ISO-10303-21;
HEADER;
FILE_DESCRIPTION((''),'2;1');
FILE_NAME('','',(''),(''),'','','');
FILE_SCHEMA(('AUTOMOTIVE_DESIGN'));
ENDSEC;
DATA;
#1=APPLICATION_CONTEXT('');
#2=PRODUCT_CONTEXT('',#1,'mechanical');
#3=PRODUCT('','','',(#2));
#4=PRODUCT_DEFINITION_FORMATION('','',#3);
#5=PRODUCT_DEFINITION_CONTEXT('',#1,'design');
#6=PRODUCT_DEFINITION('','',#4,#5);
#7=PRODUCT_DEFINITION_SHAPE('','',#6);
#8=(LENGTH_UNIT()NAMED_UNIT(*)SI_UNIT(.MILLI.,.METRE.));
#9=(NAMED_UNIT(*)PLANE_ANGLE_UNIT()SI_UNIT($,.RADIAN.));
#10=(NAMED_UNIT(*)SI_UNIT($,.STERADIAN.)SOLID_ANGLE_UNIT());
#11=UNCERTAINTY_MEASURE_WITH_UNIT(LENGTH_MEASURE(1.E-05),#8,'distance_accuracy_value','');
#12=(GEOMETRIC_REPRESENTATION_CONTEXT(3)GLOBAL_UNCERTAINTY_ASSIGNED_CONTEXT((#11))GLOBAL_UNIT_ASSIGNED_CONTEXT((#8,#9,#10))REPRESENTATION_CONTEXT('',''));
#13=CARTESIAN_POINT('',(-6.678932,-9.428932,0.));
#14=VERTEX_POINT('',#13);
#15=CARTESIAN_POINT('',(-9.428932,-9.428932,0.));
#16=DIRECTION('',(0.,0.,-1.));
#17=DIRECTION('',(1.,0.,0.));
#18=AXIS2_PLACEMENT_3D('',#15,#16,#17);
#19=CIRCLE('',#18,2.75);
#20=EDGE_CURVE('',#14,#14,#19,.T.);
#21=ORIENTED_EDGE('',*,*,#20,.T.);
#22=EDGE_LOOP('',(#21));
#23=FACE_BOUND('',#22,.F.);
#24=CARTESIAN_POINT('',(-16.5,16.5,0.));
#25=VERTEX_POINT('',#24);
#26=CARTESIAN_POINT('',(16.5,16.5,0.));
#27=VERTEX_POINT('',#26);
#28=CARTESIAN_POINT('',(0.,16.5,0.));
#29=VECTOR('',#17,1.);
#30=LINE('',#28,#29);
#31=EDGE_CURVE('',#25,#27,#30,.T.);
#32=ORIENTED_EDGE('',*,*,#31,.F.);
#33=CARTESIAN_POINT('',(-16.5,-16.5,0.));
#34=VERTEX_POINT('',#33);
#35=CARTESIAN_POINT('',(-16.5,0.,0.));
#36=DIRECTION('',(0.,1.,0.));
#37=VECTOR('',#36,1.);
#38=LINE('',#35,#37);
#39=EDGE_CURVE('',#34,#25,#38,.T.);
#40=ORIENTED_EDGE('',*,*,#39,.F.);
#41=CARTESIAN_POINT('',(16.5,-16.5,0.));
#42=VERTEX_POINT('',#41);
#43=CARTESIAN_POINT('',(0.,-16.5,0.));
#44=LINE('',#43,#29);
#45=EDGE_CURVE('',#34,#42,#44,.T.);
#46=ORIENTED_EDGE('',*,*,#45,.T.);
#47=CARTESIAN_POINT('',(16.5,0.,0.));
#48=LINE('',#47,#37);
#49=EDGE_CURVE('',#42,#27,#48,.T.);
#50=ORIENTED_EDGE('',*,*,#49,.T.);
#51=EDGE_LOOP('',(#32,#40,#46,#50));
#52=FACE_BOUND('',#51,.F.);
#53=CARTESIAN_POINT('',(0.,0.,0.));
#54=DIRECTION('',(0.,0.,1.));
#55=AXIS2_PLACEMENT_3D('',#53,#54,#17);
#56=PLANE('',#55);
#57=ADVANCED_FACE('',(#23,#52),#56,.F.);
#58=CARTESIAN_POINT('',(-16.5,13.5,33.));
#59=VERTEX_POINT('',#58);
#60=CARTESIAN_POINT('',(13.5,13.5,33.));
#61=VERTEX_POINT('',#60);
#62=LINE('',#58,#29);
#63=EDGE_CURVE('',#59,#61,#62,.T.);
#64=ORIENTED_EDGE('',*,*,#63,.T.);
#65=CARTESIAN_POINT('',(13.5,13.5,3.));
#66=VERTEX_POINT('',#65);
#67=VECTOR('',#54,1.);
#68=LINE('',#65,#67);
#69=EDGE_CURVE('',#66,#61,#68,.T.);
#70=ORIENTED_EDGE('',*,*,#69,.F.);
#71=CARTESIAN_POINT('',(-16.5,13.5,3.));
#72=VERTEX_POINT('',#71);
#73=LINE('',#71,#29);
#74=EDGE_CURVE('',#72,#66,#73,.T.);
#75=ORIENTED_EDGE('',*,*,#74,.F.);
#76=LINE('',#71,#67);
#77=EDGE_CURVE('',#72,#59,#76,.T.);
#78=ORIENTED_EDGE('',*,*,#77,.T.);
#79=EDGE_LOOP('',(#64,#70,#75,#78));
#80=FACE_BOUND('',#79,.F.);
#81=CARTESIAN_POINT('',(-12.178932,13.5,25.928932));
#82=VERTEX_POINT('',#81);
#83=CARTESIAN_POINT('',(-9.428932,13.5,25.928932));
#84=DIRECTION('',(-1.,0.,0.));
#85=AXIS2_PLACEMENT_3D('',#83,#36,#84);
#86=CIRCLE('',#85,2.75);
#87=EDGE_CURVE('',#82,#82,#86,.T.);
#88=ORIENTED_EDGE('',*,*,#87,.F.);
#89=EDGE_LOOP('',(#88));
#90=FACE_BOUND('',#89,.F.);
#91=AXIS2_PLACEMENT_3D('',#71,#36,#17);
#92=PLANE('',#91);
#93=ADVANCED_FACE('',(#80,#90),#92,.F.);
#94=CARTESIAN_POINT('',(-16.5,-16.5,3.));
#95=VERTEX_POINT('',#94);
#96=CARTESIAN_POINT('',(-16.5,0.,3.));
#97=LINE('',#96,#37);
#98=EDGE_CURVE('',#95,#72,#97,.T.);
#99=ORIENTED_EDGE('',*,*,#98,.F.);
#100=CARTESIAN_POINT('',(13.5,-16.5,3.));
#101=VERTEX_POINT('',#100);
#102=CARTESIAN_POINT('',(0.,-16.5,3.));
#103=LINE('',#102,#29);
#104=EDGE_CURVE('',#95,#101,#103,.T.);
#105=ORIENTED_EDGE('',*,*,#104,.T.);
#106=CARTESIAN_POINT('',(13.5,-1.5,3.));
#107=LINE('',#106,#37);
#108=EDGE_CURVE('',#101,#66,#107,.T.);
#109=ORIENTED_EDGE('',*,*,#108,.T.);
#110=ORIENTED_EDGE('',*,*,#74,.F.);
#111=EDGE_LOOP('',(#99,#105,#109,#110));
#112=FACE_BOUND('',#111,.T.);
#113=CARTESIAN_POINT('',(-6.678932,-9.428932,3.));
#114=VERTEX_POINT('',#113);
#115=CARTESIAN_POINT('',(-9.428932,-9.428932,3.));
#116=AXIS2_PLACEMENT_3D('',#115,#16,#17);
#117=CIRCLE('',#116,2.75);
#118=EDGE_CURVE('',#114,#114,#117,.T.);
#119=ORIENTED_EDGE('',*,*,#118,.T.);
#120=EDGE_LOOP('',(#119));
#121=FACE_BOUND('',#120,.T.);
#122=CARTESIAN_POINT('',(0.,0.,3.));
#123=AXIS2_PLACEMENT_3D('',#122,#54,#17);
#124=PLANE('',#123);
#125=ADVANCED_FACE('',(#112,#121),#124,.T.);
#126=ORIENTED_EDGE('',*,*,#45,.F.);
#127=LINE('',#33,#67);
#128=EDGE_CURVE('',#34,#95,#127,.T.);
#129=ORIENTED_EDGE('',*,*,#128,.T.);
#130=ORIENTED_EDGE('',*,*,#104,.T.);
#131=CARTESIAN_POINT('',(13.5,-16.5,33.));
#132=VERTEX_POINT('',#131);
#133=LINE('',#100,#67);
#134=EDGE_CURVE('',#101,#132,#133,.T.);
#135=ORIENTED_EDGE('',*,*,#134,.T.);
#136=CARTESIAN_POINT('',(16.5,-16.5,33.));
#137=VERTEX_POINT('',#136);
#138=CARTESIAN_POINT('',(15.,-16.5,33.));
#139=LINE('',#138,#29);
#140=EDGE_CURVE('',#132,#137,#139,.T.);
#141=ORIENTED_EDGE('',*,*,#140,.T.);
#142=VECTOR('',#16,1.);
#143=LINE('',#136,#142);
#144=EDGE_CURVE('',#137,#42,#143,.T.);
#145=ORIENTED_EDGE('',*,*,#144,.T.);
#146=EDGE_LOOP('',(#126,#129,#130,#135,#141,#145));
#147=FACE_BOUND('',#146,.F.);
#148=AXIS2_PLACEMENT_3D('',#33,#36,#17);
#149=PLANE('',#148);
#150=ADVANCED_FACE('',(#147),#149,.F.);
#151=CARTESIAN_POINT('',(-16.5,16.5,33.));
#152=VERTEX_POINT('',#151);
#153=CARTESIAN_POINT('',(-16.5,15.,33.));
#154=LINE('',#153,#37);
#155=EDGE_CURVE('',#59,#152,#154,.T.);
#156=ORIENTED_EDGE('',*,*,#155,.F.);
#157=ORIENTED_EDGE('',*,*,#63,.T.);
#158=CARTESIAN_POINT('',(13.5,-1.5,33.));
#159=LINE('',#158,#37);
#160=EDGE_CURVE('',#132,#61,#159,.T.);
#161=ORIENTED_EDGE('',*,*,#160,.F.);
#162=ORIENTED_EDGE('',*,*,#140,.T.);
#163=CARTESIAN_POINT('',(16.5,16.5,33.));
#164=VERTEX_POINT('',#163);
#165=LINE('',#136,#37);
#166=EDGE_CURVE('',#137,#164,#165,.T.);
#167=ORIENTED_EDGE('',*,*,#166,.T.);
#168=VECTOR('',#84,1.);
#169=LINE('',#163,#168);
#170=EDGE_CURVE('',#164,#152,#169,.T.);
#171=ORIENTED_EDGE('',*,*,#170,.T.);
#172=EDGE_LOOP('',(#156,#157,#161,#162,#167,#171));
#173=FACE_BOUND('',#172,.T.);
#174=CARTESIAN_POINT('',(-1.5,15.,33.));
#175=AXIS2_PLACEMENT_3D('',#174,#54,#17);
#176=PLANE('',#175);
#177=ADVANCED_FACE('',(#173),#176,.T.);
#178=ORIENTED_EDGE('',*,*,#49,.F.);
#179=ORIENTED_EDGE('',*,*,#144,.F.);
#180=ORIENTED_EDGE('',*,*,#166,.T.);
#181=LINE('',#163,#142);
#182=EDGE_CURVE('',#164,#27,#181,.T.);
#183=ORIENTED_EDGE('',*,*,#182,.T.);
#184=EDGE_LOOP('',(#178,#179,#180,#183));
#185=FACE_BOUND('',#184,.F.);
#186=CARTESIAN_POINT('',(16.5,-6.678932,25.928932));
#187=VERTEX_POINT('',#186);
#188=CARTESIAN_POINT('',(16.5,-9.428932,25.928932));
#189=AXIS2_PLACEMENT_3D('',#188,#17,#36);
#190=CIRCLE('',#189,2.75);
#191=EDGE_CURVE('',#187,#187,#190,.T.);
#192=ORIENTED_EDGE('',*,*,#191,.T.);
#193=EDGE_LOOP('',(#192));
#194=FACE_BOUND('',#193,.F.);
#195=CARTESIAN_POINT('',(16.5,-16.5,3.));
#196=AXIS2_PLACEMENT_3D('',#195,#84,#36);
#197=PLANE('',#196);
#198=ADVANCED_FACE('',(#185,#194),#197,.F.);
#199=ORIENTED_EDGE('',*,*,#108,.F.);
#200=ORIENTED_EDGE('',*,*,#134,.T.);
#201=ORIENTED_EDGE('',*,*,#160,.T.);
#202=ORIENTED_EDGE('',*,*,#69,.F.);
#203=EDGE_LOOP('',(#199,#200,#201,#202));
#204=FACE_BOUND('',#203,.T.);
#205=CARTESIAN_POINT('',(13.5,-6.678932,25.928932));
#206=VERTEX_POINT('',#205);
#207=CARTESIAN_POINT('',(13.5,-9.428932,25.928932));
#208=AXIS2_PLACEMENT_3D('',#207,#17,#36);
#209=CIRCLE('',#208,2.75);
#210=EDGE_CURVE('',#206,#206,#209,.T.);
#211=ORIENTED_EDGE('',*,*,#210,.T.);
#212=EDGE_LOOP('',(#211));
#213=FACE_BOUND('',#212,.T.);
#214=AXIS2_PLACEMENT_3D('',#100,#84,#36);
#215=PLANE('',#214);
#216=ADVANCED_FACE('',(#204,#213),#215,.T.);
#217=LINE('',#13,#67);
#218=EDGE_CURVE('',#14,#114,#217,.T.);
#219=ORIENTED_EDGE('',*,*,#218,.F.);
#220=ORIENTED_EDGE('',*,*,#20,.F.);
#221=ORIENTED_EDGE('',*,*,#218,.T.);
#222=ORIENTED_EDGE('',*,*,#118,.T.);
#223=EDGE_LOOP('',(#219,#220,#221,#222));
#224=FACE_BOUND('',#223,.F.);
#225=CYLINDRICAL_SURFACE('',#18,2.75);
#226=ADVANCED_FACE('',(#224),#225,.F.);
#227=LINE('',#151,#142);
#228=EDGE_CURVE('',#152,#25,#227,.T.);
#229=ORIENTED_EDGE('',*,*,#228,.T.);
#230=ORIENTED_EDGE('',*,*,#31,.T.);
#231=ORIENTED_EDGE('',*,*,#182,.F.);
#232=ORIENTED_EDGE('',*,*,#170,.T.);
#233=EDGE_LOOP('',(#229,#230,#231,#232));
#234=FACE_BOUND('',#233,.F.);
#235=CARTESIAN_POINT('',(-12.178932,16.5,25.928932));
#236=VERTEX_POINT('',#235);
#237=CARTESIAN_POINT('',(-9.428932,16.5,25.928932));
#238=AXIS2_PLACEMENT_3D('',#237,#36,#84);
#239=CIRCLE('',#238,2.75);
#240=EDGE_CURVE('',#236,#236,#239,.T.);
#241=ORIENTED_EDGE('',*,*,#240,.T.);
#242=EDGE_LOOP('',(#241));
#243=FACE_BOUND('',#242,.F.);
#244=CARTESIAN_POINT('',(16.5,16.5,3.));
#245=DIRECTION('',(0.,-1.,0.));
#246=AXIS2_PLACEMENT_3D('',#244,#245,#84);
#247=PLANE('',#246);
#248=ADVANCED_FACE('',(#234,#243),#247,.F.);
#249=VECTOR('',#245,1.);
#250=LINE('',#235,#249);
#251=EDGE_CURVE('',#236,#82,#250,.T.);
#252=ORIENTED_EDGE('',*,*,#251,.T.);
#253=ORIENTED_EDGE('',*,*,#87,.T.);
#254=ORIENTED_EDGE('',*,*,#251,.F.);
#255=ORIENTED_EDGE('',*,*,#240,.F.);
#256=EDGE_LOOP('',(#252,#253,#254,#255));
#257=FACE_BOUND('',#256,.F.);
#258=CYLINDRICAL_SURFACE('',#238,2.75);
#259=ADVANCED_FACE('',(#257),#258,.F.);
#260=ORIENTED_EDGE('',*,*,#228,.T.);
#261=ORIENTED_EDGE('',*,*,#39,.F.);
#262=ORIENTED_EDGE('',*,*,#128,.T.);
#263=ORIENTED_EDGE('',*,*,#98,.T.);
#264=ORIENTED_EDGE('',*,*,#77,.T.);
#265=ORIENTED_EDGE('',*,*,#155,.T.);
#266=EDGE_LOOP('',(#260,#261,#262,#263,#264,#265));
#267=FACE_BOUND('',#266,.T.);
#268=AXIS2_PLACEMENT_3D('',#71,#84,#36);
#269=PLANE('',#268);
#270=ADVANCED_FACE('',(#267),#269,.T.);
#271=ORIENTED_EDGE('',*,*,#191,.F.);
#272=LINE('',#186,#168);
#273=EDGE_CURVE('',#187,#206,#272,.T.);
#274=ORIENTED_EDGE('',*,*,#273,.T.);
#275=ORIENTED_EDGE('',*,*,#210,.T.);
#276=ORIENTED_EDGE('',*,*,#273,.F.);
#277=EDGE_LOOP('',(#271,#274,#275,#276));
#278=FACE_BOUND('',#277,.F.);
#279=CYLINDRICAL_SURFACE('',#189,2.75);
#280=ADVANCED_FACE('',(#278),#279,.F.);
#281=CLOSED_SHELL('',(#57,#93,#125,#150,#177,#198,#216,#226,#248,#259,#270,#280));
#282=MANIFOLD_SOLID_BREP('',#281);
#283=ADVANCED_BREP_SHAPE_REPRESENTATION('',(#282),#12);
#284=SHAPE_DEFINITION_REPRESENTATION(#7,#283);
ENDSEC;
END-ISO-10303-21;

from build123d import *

# Parameters (mm, degrees)
F0_W     = 33
F0_H     = 33
F1_DEPTH = 3
F2_W     = 30
F2_H     = 3
F2_W_2   = 3
F2_H_2   = 30
F3_DEPTH = 30
F6_R     = 2.75
F7_DEPTH = 3
F4_R     = 2.75
F8_DEPTH = 3
F5_R     = 2.75
F9_DEPTH = 3


with BuildPart() as f1:
    # F0 (on Top) → F1 (new body)
    with BuildSketch(Plane.XY):
        Rectangle(F0_W, F0_H)
    extrude(amount=F1_DEPTH)

    # F2 (on face) → F3 (join)
    with BuildSketch(Plane.XY.offset(3)):
        with Locations((-1.5, 15)):
            Rectangle(F2_W, F2_H)
        with Locations((15, 15)):
            Rectangle(F2_W_2, F2_H)
        with Locations((15, -1.5)):
            Rectangle(F2_W_2, F2_H_2)
    extrude(amount=F3_DEPTH)

    # F6 (on face) → F7 (cut)
    with BuildSketch(Plane(origin=(0, 16.5, 0), x_dir=(-1, 0, 0), z_dir=(0, 1, 0))):
        with Locations((9.428932, 25.928932)):
            Circle(F6_R)
    extrude(amount=-F7_DEPTH, mode=Mode.SUBTRACT)

    # F4 (on face) → F8 (cut)
    with BuildSketch(Plane(origin=(0, 0, 0), x_dir=(1, 0, 0), z_dir=(0, 0, -1))):
        with Locations((-9.428932, 9.428932)):
            Circle(F4_R)
    extrude(amount=-F8_DEPTH, mode=Mode.SUBTRACT)

    # F5 (on face) → F9 (cut)
    with BuildSketch(Plane.YZ.offset(16.5)):
        with Locations((-9.428932, 25.928932)):
            Circle(F5_R)
    extrude(amount=-F9_DEPTH, mode=Mode.SUBTRACT)


solid = f1.part
